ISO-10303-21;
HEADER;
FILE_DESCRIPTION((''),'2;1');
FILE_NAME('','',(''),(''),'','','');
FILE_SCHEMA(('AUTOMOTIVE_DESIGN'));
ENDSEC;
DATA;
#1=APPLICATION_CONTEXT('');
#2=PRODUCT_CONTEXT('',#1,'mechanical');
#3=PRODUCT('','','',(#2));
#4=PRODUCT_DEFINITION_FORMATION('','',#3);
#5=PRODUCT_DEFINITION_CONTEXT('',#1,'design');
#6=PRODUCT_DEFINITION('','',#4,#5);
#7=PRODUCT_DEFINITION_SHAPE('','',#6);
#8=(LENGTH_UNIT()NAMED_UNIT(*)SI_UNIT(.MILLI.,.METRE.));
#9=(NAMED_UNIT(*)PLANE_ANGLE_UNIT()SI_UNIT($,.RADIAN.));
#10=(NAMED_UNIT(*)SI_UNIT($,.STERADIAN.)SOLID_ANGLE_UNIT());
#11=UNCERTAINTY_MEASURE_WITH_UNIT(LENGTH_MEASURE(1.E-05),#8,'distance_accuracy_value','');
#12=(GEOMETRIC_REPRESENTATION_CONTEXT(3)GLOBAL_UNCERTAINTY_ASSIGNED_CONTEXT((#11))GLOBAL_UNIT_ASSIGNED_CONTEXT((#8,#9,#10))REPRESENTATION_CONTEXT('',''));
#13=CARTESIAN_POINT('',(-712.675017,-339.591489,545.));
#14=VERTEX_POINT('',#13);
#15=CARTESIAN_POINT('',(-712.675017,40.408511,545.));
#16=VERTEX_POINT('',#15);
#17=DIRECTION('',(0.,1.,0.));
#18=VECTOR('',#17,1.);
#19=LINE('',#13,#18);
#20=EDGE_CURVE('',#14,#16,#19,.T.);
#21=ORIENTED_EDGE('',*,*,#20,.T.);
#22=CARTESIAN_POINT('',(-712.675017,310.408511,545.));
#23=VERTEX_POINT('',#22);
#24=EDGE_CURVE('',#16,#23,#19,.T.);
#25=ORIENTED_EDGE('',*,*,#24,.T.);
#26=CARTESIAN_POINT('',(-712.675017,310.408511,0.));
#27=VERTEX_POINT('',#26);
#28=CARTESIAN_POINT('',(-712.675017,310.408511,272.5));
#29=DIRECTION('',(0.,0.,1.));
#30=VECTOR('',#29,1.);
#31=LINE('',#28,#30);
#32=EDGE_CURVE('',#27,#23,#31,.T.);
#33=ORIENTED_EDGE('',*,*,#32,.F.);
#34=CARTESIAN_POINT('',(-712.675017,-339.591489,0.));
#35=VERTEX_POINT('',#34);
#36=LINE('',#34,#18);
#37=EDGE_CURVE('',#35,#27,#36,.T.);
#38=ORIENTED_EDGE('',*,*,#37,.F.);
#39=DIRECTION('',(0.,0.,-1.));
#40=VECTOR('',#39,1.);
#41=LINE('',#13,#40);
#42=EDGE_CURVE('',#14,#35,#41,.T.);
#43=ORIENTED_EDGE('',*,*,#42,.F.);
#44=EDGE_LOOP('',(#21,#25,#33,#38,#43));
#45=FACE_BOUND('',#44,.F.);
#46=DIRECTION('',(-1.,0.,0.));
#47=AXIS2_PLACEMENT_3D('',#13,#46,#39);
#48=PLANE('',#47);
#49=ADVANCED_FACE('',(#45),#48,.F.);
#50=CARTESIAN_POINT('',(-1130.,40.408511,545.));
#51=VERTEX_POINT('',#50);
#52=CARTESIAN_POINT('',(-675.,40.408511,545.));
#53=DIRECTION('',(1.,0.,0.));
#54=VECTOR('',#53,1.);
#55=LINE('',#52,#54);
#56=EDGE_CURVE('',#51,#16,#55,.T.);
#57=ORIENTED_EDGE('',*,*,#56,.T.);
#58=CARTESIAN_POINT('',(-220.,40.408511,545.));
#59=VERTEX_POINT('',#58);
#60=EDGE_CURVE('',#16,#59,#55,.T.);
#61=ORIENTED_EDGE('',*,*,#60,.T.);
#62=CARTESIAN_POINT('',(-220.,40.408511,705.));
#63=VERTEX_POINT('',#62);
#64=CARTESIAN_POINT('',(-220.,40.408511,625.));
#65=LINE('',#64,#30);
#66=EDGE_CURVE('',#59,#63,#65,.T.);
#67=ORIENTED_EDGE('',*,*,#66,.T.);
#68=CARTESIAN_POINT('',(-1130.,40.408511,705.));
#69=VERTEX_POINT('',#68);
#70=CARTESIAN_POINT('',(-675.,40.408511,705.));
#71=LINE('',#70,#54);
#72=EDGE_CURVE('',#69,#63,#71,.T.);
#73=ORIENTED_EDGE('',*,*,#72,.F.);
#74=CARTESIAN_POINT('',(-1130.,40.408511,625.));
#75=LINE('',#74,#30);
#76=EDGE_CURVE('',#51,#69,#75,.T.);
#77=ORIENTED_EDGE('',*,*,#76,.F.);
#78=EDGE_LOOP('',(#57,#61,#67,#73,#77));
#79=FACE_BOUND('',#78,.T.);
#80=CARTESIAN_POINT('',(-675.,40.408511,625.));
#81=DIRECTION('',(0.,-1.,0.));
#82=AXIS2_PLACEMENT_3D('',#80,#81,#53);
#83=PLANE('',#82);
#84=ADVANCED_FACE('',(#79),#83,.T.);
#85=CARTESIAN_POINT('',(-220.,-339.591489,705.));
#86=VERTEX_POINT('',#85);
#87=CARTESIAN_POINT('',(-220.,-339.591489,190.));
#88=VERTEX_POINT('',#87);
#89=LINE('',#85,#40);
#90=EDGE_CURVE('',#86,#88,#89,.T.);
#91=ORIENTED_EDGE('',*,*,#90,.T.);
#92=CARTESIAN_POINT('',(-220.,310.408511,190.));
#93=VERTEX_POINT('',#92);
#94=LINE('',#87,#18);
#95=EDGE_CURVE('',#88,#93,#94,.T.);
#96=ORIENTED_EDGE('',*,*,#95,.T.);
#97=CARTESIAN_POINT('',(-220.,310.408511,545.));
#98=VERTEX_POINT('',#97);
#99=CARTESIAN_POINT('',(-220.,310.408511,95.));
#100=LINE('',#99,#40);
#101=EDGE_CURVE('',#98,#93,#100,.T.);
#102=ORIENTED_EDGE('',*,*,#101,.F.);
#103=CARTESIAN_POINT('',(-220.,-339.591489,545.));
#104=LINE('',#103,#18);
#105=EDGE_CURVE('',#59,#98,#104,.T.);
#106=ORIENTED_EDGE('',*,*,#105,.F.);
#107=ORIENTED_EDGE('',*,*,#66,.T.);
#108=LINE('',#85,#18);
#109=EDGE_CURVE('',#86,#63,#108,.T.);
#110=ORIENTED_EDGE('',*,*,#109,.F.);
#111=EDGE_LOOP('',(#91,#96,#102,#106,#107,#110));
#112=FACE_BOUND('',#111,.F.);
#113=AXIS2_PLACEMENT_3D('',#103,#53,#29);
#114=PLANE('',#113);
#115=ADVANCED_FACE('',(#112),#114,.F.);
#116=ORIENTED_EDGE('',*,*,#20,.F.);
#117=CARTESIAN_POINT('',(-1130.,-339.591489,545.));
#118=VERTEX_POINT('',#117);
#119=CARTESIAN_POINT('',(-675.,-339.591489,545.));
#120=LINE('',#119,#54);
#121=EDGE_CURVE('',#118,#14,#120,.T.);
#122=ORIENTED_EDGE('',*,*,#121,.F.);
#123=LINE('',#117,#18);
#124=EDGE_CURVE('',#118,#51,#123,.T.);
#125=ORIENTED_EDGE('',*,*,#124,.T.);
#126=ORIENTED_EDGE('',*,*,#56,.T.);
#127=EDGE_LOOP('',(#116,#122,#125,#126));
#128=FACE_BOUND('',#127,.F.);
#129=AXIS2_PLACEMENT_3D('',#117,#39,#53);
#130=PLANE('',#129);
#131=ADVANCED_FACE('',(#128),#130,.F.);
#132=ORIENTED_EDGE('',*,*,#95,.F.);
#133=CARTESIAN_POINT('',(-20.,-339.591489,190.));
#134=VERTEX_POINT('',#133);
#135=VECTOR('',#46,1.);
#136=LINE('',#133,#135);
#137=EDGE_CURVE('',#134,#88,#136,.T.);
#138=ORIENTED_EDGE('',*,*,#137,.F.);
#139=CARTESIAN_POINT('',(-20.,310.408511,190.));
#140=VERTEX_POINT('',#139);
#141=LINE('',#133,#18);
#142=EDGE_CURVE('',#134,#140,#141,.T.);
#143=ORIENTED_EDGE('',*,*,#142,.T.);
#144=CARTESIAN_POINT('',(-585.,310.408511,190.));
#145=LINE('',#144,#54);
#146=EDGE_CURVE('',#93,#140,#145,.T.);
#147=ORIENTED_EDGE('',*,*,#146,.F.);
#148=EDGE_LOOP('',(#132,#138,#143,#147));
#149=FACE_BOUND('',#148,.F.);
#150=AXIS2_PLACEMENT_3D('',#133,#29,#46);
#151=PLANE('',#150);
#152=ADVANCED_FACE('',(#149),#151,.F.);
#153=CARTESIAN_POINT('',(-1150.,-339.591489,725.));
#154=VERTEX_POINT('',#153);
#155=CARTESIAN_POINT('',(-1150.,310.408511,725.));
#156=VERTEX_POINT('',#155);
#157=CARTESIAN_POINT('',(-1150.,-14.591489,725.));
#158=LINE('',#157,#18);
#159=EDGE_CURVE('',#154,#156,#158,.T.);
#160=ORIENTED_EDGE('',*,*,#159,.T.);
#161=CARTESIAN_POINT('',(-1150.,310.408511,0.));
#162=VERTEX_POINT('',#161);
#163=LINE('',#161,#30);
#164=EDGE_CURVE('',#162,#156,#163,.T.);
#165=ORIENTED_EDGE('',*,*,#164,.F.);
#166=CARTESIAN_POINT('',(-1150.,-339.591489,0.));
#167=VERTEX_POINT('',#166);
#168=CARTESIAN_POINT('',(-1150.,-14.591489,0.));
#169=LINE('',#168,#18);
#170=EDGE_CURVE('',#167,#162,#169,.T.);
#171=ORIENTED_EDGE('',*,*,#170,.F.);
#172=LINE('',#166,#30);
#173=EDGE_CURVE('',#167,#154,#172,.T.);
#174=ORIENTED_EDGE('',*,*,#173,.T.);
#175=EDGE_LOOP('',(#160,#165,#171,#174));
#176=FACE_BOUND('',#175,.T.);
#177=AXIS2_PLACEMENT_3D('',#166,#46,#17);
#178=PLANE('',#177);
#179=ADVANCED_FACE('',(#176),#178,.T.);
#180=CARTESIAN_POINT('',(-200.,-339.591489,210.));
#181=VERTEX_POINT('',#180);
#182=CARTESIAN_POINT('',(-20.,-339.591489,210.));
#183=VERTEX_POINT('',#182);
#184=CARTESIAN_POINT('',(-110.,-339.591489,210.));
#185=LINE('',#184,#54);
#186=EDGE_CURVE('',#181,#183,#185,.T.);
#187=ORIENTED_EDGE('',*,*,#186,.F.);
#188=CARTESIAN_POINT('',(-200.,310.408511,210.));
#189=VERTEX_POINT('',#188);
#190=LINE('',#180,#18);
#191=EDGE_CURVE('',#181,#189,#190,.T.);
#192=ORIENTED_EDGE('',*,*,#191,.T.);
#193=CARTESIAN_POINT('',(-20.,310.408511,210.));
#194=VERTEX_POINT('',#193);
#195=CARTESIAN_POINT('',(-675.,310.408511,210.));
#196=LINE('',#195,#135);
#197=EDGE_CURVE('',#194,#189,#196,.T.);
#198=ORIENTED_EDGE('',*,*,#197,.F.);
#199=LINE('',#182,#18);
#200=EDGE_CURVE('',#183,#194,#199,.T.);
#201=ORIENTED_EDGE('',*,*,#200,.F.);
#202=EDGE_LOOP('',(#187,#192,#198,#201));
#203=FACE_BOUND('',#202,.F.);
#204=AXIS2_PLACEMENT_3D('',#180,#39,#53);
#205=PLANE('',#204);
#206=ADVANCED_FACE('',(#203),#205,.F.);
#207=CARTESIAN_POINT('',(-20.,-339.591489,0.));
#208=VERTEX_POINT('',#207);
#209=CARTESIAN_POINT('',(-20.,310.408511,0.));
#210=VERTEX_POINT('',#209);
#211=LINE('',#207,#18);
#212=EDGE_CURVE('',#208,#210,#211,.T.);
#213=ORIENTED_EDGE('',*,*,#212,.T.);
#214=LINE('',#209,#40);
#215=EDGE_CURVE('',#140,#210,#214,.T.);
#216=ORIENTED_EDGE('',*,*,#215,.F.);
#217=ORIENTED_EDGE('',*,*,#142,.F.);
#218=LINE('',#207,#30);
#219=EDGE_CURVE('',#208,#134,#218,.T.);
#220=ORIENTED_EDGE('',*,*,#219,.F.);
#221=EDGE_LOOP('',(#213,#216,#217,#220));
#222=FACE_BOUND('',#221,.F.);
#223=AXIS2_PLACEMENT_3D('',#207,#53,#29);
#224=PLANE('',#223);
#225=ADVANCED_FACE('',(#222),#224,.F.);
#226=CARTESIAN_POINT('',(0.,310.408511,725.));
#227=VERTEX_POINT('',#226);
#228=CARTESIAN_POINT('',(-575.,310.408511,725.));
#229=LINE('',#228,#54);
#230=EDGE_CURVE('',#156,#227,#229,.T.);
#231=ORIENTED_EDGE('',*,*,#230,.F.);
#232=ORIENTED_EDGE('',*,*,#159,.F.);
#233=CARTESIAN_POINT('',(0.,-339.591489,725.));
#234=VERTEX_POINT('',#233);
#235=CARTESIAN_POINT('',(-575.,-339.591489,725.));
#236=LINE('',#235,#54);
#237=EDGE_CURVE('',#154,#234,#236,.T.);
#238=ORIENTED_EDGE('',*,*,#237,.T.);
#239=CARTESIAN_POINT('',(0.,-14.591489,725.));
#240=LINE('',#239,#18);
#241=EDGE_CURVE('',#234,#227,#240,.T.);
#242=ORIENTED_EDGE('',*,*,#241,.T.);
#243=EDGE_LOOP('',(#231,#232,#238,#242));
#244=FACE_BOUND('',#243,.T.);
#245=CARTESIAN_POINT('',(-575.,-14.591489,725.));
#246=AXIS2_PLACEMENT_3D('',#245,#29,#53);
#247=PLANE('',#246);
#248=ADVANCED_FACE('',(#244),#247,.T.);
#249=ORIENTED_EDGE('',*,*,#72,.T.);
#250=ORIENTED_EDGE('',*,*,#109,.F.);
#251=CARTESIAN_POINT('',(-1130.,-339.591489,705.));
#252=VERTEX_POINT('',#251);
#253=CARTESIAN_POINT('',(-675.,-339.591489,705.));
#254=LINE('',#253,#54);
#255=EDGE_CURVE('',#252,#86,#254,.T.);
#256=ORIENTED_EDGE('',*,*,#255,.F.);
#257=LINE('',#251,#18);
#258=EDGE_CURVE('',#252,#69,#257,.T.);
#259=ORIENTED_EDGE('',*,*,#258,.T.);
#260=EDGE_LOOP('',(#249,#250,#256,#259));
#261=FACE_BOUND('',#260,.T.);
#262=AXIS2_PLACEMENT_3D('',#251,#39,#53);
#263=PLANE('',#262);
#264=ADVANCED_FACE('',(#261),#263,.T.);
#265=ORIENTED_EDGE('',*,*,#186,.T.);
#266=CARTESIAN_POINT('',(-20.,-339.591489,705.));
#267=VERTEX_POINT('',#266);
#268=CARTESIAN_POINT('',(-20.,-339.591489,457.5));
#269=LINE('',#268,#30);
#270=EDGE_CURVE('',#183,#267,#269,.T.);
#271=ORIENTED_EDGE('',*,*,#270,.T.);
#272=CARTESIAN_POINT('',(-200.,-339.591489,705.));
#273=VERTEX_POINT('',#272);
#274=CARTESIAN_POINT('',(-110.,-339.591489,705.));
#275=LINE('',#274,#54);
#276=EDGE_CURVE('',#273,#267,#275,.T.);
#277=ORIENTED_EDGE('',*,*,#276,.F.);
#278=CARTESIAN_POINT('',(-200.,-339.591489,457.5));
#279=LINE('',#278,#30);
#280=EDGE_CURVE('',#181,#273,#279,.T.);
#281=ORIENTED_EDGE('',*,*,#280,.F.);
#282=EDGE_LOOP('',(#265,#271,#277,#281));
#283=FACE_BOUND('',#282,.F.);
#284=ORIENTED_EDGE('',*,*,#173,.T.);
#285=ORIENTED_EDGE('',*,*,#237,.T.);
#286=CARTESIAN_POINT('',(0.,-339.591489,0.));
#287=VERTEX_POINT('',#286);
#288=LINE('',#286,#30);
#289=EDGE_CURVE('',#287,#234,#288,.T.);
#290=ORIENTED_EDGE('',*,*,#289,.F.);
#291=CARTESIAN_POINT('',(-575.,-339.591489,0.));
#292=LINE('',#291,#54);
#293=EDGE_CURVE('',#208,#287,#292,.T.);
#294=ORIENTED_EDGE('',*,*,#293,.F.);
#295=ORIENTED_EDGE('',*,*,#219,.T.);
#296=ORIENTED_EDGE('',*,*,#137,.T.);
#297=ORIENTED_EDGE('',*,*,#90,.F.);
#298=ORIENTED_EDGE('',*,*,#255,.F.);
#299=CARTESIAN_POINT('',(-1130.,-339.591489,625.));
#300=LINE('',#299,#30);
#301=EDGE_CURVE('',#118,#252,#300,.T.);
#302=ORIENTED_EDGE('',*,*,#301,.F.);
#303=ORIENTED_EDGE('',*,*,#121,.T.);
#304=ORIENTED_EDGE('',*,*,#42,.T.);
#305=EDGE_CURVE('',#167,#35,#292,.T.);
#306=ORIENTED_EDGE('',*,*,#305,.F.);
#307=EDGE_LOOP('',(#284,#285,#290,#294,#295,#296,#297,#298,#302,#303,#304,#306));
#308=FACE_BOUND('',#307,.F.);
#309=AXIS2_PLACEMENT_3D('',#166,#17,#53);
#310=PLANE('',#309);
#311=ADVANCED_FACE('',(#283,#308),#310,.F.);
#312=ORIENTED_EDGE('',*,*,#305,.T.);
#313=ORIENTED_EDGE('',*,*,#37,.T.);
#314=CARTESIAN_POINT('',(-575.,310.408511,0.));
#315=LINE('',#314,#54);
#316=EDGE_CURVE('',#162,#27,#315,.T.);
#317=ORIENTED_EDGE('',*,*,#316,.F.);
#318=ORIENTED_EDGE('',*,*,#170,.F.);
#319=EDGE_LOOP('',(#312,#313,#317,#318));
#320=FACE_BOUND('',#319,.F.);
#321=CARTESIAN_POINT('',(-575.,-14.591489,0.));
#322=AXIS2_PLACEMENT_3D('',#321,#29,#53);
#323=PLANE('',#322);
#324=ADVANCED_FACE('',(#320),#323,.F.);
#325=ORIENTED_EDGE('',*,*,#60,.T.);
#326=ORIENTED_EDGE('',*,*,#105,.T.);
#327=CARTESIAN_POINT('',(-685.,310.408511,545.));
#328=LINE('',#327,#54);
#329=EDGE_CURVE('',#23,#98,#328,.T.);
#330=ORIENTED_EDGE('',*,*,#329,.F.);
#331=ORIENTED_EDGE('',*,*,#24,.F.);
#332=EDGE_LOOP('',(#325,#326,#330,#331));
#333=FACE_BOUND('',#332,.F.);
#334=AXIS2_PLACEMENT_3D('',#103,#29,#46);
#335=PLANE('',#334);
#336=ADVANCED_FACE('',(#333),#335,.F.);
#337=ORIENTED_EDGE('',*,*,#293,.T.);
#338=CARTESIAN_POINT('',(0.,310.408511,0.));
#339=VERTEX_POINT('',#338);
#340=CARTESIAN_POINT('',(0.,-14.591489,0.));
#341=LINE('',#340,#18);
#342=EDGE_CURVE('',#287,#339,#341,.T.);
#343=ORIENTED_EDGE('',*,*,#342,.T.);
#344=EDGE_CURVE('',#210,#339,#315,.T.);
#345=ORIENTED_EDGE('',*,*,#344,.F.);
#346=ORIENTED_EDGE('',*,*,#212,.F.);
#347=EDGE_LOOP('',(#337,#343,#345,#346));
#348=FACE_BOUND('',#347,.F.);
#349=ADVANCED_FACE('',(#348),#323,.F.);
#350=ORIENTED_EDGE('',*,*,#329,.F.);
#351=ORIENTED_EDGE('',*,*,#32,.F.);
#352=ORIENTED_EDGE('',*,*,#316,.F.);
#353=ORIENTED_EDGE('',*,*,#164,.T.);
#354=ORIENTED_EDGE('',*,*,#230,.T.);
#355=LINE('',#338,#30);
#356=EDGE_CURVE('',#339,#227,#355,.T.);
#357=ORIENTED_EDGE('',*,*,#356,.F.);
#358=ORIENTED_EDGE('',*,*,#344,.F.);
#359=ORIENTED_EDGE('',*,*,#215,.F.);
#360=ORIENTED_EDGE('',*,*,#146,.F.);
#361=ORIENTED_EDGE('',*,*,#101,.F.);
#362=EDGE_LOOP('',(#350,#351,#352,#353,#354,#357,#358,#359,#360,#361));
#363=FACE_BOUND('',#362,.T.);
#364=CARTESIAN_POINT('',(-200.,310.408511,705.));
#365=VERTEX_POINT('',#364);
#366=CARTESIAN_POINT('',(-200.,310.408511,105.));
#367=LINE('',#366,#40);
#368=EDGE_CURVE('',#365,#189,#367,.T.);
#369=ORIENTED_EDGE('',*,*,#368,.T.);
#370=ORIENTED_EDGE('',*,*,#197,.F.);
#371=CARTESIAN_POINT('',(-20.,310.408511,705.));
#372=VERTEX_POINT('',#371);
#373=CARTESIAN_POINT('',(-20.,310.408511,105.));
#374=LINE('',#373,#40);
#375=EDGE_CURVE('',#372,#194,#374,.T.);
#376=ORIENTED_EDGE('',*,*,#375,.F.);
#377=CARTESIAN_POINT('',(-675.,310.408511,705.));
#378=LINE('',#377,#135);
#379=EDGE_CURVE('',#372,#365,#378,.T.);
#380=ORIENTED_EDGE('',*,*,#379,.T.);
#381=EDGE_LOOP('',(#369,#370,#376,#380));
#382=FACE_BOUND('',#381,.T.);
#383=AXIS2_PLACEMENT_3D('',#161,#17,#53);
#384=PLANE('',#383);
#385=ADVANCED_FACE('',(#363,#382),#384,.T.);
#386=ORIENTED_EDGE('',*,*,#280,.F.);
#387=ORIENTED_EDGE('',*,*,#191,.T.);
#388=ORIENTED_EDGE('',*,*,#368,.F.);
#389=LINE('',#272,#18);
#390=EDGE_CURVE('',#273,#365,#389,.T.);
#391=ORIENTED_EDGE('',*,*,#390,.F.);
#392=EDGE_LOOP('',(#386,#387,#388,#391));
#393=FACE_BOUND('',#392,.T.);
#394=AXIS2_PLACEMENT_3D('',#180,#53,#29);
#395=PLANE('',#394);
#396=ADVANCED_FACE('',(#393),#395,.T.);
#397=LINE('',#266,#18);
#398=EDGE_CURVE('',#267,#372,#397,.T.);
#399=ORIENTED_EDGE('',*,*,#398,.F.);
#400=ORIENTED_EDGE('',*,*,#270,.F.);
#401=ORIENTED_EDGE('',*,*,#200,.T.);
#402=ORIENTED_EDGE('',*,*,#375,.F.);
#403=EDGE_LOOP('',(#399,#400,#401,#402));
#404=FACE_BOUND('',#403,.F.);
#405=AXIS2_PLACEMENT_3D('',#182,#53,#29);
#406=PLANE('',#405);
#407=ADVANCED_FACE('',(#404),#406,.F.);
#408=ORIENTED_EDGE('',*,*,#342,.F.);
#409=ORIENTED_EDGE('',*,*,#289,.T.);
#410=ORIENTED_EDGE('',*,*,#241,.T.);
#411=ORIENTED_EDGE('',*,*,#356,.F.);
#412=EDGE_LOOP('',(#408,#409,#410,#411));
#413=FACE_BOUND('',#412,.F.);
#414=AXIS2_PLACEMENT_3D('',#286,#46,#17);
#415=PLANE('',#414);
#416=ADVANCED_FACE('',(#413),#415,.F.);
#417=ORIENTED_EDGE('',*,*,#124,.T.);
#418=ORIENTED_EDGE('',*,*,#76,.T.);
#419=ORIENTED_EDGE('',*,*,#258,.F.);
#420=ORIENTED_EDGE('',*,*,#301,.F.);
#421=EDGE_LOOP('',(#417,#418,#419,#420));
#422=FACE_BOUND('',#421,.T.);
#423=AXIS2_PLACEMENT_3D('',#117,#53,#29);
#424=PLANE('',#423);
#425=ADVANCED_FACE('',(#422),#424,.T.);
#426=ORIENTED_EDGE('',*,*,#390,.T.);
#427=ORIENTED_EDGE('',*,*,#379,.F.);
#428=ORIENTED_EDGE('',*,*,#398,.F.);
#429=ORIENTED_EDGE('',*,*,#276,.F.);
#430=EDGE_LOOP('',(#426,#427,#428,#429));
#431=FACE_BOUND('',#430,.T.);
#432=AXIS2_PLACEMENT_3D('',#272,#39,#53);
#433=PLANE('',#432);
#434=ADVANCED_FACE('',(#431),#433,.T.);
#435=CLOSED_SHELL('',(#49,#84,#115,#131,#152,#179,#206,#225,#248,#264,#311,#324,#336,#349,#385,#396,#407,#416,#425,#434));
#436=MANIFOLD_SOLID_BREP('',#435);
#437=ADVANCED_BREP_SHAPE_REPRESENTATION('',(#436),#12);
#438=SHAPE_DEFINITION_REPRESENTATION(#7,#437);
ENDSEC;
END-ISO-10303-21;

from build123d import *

# Parameters (mm, degrees)
F0_W     = 1150
F0_H     = 650
F1_DEPTH = 725
F2_W     = 180
F2_H     = 495
F3_DEPTH = 650.001
F5_DEPTH = 650.001
F6_W     = 910
F6_H     = 160
F7_DEPTH = 380


with BuildPart() as f1:
    # F0 (on Top) → F1 (new body)
    with BuildSketch(Plane.XY):
        with Locations((-575, -14.591489)):
            Rectangle(F0_W, F0_H)
    extrude(amount=F1_DEPTH)

    # F2 (on face) → F3 (cut, through all)
    with BuildSketch(Plane.XZ.offset(339.591489)):
        with Locations((-110, 457.5)):
            Rectangle(F2_W, F2_H)
    extrude(amount=-F3_DEPTH, mode=Mode.SUBTRACT)

    # F4 (on face) → F5 (cut, through all)
    with BuildSketch(Plane.XZ.offset(339.591489)):
        Polygon((-220, 545), (-712.675017, 545), (-712.675017, 0), (-220, 0), (-20, 0), (-20, 190), (-220, 190), align=None)
    extrude(amount=-F5_DEPTH, mode=Mode.SUBTRACT)

    # F6 (on face) → F7 (cut)
    with BuildSketch(Plane.XZ.offset(339.591489)):
        with Locations((-675, 625)):
            Rectangle(F6_W, F6_H)
    extrude(amount=-F7_DEPTH, mode=Mode.SUBTRACT)


solid = f1.part
